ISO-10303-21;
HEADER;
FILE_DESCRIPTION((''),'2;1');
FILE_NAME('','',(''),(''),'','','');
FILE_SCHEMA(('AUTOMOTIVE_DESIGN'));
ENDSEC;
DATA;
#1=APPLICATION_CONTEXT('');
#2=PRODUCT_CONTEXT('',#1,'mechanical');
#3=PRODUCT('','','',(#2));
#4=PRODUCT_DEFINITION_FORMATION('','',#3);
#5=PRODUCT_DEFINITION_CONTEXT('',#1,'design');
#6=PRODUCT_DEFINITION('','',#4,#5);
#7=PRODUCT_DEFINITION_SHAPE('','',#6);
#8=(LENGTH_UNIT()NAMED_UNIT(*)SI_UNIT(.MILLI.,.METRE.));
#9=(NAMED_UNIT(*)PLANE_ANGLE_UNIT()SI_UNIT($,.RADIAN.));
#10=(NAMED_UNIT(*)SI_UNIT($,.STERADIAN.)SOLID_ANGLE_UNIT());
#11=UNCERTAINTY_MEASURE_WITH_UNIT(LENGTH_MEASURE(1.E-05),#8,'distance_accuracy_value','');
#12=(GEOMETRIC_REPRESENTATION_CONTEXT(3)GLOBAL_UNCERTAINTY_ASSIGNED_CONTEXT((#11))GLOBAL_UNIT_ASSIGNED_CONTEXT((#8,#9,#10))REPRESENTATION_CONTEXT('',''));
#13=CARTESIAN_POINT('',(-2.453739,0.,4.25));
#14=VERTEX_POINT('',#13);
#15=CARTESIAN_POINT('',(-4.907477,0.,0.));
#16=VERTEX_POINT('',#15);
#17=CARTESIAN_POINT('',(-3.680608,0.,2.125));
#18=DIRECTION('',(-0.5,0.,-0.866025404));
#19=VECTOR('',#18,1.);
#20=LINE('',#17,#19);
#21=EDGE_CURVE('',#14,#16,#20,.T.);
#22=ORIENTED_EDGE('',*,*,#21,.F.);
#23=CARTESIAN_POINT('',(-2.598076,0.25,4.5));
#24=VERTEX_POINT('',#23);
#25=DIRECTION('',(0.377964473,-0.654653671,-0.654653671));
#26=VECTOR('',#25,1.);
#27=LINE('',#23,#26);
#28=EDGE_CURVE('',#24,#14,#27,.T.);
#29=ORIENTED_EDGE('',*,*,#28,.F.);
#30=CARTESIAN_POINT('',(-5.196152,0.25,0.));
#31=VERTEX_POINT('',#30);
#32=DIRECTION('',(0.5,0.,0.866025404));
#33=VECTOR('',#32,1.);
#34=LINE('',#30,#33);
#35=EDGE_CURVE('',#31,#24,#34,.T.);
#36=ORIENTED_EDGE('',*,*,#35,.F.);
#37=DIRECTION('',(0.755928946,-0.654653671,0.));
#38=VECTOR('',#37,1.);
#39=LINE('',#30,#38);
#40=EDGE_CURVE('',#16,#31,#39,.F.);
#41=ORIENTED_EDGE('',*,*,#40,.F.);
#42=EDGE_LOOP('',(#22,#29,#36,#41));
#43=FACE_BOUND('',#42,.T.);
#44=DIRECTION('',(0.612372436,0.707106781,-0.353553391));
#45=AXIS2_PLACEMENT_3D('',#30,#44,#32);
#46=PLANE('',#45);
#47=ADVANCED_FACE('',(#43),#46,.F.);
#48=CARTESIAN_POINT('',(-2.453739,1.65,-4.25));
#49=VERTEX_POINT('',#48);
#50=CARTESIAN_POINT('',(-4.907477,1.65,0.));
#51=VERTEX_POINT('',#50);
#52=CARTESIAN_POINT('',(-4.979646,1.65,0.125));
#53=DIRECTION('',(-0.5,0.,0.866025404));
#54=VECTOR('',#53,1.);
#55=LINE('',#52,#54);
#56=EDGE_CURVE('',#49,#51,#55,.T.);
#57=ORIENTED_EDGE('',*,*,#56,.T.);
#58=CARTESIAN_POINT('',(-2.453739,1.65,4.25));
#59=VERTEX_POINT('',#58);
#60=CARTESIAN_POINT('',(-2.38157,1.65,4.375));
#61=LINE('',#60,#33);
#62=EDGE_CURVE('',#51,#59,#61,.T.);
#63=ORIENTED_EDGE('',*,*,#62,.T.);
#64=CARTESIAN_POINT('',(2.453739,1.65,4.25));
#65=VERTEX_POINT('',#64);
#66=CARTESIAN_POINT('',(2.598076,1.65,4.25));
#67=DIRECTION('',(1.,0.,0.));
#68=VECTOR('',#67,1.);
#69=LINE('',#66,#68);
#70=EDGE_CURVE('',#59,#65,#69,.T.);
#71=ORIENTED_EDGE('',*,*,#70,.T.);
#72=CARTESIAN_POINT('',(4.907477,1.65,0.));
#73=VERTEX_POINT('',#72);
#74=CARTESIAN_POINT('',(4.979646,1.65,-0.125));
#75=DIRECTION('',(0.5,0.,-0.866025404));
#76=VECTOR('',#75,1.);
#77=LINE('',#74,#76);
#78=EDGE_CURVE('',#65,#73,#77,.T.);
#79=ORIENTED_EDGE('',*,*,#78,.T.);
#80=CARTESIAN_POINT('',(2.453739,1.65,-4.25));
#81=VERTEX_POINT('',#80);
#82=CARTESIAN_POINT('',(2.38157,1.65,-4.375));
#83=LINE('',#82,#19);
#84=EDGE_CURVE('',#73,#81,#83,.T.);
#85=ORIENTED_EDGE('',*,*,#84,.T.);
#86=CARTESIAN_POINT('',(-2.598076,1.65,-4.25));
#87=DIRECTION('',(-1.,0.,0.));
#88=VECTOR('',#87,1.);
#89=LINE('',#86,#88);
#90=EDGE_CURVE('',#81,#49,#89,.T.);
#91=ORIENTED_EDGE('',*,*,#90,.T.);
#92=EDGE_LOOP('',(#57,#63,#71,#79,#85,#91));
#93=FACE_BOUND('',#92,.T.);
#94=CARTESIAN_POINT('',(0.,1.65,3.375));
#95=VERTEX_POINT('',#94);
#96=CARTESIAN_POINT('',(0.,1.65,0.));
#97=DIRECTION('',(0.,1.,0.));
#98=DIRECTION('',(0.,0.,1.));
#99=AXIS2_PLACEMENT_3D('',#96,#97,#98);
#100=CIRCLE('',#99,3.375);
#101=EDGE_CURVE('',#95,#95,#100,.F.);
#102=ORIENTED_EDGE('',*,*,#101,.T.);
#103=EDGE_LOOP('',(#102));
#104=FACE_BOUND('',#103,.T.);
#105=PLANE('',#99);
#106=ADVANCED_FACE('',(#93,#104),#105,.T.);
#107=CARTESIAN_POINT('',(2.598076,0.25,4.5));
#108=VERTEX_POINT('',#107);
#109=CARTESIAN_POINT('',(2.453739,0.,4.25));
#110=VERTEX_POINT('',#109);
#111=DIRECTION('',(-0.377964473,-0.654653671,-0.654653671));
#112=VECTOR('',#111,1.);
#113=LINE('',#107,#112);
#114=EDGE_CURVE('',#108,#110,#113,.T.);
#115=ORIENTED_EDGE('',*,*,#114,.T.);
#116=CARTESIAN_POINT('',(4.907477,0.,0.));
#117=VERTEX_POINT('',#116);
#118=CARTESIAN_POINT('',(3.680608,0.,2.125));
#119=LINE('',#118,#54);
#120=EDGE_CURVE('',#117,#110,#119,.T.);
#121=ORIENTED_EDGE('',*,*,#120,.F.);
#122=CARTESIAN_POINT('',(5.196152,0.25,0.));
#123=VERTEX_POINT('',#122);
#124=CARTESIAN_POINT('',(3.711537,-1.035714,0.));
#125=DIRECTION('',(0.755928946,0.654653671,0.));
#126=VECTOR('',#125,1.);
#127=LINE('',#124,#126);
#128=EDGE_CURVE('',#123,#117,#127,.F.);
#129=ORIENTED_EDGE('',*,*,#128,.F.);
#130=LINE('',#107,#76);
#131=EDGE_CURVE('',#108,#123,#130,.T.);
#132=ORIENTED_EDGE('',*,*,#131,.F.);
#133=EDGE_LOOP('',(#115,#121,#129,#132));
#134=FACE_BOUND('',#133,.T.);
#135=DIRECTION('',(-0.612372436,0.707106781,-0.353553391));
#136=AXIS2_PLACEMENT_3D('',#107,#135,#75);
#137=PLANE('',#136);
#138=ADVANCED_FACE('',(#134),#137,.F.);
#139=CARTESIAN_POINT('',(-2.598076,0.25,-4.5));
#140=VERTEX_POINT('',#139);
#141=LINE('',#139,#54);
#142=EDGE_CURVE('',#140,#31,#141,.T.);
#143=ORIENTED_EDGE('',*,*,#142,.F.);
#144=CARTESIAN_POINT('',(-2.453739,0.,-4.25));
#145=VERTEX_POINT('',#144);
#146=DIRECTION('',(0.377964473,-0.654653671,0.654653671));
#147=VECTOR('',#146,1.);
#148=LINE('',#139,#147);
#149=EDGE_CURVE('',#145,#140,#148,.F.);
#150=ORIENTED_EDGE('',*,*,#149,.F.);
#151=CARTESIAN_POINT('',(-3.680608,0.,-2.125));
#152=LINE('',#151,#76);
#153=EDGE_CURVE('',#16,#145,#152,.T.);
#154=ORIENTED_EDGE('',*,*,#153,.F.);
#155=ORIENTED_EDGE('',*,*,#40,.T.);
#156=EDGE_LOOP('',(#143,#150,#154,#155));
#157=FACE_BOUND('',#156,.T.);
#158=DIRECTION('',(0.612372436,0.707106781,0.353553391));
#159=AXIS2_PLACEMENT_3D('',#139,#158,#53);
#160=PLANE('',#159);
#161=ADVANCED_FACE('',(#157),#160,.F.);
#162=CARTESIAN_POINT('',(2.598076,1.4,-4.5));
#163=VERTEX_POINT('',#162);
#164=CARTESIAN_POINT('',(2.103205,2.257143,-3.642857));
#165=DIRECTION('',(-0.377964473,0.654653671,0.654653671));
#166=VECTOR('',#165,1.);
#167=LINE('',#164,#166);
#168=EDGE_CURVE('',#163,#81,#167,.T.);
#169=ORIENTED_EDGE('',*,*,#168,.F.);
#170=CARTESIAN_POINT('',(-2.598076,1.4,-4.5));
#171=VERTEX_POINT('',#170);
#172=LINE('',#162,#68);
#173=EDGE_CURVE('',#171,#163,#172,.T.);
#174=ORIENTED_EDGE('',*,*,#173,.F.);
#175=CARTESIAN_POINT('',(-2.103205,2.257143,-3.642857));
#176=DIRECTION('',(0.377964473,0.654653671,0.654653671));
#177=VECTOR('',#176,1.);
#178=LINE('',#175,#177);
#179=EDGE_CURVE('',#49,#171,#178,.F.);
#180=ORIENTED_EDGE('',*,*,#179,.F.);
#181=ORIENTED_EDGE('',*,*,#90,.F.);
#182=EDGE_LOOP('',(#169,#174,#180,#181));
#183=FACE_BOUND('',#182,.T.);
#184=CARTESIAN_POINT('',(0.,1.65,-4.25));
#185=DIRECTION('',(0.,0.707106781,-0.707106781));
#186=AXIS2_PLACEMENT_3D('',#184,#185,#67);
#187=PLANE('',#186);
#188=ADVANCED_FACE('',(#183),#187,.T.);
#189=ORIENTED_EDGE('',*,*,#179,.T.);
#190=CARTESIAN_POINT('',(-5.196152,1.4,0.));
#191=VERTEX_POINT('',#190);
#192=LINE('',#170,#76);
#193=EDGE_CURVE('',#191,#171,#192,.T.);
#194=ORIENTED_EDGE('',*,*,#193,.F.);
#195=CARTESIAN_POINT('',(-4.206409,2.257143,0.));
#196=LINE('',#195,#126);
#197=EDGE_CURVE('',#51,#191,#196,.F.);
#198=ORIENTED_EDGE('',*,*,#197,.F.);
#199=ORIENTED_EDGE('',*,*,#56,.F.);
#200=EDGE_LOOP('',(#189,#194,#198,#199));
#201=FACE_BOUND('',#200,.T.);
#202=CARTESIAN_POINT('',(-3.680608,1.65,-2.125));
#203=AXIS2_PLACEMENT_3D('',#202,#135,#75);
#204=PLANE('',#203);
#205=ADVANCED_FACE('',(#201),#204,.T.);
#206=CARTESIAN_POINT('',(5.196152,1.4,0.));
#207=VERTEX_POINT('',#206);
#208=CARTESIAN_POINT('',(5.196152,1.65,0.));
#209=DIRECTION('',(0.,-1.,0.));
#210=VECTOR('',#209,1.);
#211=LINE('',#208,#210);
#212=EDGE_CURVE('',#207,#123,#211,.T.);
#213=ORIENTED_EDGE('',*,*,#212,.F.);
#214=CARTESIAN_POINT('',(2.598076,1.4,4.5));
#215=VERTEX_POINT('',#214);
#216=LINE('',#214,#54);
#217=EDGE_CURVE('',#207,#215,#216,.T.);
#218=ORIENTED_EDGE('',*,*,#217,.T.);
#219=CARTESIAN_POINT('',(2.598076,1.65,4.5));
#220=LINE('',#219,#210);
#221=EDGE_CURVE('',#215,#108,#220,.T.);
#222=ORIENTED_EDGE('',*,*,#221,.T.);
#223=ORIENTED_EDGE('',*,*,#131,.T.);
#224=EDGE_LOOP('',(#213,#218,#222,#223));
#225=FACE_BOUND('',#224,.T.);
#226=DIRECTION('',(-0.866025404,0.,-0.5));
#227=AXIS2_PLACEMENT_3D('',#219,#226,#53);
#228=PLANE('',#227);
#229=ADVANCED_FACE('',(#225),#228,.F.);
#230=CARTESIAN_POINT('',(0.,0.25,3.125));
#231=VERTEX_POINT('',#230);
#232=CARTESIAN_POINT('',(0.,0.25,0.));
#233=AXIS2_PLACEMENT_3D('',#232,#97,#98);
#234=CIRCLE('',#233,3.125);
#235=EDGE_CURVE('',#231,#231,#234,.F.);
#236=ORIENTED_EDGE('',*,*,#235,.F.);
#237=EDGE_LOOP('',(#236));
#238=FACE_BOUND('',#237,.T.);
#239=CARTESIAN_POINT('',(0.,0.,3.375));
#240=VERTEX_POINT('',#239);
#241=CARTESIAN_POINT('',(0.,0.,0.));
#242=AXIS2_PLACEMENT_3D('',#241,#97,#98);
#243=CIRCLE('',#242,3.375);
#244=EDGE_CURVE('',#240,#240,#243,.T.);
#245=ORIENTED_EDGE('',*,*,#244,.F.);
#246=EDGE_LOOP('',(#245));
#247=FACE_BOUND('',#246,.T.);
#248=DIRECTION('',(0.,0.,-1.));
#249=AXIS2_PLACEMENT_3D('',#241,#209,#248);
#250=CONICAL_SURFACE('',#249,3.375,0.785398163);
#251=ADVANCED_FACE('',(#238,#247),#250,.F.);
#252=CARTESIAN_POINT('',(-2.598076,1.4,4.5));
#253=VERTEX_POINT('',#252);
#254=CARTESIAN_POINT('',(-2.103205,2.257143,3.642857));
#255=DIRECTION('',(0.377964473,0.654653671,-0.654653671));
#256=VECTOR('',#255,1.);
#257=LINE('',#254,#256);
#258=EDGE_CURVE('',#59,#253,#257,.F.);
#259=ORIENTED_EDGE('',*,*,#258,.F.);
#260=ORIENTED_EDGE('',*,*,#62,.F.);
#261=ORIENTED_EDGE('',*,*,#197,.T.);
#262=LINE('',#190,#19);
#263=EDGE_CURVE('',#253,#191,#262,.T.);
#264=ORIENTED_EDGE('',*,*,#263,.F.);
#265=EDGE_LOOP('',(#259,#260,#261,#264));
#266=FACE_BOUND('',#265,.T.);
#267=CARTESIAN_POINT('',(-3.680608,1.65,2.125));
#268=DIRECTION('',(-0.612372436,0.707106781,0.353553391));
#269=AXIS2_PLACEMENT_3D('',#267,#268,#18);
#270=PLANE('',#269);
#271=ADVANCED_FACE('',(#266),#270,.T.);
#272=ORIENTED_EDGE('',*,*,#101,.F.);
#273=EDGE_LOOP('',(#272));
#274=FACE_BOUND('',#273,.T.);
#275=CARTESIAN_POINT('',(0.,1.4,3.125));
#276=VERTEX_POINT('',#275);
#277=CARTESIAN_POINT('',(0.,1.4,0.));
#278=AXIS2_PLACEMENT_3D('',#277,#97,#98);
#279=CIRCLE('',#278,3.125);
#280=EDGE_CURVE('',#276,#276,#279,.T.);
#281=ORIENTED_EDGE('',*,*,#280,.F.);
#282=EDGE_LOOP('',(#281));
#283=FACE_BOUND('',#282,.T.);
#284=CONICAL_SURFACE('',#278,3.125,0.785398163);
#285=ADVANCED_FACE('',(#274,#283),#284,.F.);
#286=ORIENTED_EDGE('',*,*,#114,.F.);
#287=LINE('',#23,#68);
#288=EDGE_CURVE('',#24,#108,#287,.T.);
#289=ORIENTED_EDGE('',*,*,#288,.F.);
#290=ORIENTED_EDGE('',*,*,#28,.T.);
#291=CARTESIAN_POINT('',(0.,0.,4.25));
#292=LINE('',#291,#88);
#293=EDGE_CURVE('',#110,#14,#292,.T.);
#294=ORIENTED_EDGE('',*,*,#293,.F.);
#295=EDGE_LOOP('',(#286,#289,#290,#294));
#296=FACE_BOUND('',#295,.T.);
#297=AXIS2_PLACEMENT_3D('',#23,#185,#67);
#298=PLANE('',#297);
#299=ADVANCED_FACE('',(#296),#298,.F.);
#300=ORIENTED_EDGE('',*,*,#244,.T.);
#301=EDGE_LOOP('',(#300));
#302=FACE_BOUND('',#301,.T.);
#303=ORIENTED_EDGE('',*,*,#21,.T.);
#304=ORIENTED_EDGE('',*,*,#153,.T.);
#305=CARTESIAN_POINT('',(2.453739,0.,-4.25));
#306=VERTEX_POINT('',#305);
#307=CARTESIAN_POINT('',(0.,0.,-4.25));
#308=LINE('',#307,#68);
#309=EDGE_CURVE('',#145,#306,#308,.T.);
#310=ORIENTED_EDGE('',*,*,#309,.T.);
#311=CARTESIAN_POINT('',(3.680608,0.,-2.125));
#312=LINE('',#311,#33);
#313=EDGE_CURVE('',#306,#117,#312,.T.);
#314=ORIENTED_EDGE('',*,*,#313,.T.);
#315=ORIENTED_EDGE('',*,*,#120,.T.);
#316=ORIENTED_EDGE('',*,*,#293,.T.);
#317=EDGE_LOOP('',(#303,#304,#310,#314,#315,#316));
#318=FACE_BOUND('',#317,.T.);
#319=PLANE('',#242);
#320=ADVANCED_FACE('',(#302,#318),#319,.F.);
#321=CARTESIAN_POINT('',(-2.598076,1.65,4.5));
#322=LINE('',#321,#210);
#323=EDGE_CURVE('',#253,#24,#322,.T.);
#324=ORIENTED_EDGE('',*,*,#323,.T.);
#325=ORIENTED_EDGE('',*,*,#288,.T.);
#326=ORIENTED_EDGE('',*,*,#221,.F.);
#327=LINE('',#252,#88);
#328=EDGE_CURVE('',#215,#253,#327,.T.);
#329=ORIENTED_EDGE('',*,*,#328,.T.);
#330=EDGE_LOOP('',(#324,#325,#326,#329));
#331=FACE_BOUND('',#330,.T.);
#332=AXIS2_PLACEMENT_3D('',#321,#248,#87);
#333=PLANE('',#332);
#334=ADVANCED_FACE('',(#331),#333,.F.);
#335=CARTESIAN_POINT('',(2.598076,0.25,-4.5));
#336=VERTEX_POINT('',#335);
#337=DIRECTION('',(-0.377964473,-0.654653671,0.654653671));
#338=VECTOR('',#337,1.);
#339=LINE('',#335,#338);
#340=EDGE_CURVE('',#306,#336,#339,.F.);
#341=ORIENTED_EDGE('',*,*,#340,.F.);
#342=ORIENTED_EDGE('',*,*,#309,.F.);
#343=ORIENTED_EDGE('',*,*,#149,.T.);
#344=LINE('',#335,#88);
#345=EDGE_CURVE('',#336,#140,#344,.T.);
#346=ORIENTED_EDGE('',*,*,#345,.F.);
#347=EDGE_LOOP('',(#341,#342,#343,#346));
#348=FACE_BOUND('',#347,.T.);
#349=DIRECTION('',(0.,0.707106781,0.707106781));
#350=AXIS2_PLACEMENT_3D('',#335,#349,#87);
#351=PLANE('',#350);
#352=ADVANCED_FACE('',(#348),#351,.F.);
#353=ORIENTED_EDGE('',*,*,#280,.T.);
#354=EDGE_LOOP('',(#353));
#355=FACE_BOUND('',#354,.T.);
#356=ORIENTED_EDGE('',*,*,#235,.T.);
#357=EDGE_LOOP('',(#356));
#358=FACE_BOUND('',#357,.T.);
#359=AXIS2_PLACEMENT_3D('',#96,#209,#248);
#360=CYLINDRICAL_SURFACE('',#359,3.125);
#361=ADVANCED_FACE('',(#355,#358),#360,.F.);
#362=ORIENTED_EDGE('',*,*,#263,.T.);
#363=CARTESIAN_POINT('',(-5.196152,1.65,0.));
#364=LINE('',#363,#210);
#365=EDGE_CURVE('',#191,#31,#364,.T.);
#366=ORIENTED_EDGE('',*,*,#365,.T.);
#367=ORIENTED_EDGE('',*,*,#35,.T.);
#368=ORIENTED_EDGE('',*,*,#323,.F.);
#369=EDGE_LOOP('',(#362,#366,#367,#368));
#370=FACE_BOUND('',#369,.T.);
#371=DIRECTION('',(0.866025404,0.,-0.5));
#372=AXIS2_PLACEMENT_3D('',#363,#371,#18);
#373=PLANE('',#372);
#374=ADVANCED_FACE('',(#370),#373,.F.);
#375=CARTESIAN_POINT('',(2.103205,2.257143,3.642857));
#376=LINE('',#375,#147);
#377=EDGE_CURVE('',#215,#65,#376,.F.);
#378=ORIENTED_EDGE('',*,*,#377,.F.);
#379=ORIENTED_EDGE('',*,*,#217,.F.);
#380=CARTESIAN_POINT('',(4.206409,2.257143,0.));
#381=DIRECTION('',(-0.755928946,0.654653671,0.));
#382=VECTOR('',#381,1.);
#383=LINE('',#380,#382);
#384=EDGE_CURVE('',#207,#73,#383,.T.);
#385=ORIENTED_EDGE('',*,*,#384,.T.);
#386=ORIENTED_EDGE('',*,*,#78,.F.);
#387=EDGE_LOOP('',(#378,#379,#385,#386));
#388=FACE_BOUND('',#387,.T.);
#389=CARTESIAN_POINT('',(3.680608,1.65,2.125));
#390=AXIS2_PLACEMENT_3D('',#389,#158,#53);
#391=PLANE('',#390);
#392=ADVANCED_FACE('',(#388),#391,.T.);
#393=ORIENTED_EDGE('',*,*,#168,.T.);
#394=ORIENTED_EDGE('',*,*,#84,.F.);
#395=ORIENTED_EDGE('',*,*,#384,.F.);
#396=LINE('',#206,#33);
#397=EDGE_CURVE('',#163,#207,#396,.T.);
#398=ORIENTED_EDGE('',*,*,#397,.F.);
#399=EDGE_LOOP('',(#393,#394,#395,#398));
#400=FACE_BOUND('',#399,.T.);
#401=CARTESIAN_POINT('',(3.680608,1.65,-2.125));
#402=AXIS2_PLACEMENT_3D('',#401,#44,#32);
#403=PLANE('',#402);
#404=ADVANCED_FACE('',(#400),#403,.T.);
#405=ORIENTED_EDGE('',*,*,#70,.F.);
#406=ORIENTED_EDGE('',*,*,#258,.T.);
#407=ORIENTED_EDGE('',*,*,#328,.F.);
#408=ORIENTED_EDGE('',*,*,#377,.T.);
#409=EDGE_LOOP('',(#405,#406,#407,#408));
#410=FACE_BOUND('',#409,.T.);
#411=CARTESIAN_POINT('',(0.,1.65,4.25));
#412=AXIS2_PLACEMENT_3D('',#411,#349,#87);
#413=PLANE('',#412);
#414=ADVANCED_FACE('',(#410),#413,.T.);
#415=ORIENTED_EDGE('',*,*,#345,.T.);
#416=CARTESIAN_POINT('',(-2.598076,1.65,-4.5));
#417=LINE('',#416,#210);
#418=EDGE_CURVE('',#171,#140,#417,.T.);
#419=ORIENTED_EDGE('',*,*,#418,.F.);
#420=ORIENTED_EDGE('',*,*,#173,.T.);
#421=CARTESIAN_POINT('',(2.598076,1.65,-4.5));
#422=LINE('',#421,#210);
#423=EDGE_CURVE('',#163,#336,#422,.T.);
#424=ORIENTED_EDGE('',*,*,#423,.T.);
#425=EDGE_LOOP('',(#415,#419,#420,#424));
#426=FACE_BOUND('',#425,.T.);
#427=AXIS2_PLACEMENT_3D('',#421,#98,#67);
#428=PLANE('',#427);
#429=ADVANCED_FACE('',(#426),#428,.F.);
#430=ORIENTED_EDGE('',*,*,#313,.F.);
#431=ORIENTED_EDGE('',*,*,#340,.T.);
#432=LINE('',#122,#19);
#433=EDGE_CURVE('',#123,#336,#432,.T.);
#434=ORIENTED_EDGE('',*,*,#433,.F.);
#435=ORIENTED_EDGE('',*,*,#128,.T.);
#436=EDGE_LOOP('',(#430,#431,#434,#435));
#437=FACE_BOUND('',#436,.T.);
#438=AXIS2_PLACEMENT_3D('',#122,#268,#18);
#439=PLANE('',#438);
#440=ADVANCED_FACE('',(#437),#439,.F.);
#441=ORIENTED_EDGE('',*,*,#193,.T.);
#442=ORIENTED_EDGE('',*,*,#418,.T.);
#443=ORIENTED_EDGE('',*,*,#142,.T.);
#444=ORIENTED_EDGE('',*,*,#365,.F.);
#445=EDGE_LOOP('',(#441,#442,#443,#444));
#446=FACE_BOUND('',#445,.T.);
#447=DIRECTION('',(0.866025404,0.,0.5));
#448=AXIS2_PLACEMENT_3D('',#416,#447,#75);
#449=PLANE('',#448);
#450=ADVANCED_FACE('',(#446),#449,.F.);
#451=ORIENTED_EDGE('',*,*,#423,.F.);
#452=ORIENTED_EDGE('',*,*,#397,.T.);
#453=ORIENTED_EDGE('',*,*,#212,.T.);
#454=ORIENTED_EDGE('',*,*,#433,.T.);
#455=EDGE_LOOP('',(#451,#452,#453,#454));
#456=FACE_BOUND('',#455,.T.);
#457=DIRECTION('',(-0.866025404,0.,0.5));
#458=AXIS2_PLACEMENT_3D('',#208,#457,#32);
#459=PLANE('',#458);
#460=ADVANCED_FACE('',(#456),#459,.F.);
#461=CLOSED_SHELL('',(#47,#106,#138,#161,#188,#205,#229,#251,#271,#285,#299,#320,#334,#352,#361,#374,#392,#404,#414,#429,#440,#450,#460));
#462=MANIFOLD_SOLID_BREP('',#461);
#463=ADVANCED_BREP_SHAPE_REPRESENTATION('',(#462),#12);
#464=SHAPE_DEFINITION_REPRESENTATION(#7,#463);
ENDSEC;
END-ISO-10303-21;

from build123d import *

# Parameters (mm, degrees)
SKETCH1_R           = 3.125
BOSS_EXTRUDE1_DEPTH = 1.65
CHAMFER1_SIZE       = 0.25


with BuildPart() as part:
    # Sketch1 → Boss-Extrude1 (new body)
    with BuildSketch(Plane(origin=(0, 0, 0), x_dir=(1, 0, 0), z_dir=(0, 1, 0))):
        Polygon((5.196152423, 0), (2.598076211, 4.5), (-2.598076211, 4.5), (-5.196152423, 0), (-2.598076211, -4.5), (2.598076211, -4.5), align=None)
        Circle(SKETCH1_R, mode=Mode.SUBTRACT)
    extrude(amount=BOSS_EXTRUDE1_DEPTH)

    # Chamfer1
    chamfer1_edges = [part.edges().sort_by_distance(p)[0] for p in [
        (0, 1.65, -4.5),
        (-3.897114317, 1.65, -2.25),
        (-3.897114317, 1.65, 2.25),
        (-3.125, 0, 0),
        (-3.125, 1.65, 0),
        (0, 1.65, 4.5),
        (3.897114317, 1.65, 2.25),
        (0, 0, 4.5),
        (-3.897114317, 0, 2.25),
        (-3.897114317, 0, -2.25),
        (3.897114317, 1.65, -2.25),
        (0, 0, -4.5),
        (3.897114317, 0, -2.25),
        (3.897114317, 0, 2.25),
    ]]
    chamfer(chamfer1_edges, length=CHAMFER1_SIZE)


solid = part.part
